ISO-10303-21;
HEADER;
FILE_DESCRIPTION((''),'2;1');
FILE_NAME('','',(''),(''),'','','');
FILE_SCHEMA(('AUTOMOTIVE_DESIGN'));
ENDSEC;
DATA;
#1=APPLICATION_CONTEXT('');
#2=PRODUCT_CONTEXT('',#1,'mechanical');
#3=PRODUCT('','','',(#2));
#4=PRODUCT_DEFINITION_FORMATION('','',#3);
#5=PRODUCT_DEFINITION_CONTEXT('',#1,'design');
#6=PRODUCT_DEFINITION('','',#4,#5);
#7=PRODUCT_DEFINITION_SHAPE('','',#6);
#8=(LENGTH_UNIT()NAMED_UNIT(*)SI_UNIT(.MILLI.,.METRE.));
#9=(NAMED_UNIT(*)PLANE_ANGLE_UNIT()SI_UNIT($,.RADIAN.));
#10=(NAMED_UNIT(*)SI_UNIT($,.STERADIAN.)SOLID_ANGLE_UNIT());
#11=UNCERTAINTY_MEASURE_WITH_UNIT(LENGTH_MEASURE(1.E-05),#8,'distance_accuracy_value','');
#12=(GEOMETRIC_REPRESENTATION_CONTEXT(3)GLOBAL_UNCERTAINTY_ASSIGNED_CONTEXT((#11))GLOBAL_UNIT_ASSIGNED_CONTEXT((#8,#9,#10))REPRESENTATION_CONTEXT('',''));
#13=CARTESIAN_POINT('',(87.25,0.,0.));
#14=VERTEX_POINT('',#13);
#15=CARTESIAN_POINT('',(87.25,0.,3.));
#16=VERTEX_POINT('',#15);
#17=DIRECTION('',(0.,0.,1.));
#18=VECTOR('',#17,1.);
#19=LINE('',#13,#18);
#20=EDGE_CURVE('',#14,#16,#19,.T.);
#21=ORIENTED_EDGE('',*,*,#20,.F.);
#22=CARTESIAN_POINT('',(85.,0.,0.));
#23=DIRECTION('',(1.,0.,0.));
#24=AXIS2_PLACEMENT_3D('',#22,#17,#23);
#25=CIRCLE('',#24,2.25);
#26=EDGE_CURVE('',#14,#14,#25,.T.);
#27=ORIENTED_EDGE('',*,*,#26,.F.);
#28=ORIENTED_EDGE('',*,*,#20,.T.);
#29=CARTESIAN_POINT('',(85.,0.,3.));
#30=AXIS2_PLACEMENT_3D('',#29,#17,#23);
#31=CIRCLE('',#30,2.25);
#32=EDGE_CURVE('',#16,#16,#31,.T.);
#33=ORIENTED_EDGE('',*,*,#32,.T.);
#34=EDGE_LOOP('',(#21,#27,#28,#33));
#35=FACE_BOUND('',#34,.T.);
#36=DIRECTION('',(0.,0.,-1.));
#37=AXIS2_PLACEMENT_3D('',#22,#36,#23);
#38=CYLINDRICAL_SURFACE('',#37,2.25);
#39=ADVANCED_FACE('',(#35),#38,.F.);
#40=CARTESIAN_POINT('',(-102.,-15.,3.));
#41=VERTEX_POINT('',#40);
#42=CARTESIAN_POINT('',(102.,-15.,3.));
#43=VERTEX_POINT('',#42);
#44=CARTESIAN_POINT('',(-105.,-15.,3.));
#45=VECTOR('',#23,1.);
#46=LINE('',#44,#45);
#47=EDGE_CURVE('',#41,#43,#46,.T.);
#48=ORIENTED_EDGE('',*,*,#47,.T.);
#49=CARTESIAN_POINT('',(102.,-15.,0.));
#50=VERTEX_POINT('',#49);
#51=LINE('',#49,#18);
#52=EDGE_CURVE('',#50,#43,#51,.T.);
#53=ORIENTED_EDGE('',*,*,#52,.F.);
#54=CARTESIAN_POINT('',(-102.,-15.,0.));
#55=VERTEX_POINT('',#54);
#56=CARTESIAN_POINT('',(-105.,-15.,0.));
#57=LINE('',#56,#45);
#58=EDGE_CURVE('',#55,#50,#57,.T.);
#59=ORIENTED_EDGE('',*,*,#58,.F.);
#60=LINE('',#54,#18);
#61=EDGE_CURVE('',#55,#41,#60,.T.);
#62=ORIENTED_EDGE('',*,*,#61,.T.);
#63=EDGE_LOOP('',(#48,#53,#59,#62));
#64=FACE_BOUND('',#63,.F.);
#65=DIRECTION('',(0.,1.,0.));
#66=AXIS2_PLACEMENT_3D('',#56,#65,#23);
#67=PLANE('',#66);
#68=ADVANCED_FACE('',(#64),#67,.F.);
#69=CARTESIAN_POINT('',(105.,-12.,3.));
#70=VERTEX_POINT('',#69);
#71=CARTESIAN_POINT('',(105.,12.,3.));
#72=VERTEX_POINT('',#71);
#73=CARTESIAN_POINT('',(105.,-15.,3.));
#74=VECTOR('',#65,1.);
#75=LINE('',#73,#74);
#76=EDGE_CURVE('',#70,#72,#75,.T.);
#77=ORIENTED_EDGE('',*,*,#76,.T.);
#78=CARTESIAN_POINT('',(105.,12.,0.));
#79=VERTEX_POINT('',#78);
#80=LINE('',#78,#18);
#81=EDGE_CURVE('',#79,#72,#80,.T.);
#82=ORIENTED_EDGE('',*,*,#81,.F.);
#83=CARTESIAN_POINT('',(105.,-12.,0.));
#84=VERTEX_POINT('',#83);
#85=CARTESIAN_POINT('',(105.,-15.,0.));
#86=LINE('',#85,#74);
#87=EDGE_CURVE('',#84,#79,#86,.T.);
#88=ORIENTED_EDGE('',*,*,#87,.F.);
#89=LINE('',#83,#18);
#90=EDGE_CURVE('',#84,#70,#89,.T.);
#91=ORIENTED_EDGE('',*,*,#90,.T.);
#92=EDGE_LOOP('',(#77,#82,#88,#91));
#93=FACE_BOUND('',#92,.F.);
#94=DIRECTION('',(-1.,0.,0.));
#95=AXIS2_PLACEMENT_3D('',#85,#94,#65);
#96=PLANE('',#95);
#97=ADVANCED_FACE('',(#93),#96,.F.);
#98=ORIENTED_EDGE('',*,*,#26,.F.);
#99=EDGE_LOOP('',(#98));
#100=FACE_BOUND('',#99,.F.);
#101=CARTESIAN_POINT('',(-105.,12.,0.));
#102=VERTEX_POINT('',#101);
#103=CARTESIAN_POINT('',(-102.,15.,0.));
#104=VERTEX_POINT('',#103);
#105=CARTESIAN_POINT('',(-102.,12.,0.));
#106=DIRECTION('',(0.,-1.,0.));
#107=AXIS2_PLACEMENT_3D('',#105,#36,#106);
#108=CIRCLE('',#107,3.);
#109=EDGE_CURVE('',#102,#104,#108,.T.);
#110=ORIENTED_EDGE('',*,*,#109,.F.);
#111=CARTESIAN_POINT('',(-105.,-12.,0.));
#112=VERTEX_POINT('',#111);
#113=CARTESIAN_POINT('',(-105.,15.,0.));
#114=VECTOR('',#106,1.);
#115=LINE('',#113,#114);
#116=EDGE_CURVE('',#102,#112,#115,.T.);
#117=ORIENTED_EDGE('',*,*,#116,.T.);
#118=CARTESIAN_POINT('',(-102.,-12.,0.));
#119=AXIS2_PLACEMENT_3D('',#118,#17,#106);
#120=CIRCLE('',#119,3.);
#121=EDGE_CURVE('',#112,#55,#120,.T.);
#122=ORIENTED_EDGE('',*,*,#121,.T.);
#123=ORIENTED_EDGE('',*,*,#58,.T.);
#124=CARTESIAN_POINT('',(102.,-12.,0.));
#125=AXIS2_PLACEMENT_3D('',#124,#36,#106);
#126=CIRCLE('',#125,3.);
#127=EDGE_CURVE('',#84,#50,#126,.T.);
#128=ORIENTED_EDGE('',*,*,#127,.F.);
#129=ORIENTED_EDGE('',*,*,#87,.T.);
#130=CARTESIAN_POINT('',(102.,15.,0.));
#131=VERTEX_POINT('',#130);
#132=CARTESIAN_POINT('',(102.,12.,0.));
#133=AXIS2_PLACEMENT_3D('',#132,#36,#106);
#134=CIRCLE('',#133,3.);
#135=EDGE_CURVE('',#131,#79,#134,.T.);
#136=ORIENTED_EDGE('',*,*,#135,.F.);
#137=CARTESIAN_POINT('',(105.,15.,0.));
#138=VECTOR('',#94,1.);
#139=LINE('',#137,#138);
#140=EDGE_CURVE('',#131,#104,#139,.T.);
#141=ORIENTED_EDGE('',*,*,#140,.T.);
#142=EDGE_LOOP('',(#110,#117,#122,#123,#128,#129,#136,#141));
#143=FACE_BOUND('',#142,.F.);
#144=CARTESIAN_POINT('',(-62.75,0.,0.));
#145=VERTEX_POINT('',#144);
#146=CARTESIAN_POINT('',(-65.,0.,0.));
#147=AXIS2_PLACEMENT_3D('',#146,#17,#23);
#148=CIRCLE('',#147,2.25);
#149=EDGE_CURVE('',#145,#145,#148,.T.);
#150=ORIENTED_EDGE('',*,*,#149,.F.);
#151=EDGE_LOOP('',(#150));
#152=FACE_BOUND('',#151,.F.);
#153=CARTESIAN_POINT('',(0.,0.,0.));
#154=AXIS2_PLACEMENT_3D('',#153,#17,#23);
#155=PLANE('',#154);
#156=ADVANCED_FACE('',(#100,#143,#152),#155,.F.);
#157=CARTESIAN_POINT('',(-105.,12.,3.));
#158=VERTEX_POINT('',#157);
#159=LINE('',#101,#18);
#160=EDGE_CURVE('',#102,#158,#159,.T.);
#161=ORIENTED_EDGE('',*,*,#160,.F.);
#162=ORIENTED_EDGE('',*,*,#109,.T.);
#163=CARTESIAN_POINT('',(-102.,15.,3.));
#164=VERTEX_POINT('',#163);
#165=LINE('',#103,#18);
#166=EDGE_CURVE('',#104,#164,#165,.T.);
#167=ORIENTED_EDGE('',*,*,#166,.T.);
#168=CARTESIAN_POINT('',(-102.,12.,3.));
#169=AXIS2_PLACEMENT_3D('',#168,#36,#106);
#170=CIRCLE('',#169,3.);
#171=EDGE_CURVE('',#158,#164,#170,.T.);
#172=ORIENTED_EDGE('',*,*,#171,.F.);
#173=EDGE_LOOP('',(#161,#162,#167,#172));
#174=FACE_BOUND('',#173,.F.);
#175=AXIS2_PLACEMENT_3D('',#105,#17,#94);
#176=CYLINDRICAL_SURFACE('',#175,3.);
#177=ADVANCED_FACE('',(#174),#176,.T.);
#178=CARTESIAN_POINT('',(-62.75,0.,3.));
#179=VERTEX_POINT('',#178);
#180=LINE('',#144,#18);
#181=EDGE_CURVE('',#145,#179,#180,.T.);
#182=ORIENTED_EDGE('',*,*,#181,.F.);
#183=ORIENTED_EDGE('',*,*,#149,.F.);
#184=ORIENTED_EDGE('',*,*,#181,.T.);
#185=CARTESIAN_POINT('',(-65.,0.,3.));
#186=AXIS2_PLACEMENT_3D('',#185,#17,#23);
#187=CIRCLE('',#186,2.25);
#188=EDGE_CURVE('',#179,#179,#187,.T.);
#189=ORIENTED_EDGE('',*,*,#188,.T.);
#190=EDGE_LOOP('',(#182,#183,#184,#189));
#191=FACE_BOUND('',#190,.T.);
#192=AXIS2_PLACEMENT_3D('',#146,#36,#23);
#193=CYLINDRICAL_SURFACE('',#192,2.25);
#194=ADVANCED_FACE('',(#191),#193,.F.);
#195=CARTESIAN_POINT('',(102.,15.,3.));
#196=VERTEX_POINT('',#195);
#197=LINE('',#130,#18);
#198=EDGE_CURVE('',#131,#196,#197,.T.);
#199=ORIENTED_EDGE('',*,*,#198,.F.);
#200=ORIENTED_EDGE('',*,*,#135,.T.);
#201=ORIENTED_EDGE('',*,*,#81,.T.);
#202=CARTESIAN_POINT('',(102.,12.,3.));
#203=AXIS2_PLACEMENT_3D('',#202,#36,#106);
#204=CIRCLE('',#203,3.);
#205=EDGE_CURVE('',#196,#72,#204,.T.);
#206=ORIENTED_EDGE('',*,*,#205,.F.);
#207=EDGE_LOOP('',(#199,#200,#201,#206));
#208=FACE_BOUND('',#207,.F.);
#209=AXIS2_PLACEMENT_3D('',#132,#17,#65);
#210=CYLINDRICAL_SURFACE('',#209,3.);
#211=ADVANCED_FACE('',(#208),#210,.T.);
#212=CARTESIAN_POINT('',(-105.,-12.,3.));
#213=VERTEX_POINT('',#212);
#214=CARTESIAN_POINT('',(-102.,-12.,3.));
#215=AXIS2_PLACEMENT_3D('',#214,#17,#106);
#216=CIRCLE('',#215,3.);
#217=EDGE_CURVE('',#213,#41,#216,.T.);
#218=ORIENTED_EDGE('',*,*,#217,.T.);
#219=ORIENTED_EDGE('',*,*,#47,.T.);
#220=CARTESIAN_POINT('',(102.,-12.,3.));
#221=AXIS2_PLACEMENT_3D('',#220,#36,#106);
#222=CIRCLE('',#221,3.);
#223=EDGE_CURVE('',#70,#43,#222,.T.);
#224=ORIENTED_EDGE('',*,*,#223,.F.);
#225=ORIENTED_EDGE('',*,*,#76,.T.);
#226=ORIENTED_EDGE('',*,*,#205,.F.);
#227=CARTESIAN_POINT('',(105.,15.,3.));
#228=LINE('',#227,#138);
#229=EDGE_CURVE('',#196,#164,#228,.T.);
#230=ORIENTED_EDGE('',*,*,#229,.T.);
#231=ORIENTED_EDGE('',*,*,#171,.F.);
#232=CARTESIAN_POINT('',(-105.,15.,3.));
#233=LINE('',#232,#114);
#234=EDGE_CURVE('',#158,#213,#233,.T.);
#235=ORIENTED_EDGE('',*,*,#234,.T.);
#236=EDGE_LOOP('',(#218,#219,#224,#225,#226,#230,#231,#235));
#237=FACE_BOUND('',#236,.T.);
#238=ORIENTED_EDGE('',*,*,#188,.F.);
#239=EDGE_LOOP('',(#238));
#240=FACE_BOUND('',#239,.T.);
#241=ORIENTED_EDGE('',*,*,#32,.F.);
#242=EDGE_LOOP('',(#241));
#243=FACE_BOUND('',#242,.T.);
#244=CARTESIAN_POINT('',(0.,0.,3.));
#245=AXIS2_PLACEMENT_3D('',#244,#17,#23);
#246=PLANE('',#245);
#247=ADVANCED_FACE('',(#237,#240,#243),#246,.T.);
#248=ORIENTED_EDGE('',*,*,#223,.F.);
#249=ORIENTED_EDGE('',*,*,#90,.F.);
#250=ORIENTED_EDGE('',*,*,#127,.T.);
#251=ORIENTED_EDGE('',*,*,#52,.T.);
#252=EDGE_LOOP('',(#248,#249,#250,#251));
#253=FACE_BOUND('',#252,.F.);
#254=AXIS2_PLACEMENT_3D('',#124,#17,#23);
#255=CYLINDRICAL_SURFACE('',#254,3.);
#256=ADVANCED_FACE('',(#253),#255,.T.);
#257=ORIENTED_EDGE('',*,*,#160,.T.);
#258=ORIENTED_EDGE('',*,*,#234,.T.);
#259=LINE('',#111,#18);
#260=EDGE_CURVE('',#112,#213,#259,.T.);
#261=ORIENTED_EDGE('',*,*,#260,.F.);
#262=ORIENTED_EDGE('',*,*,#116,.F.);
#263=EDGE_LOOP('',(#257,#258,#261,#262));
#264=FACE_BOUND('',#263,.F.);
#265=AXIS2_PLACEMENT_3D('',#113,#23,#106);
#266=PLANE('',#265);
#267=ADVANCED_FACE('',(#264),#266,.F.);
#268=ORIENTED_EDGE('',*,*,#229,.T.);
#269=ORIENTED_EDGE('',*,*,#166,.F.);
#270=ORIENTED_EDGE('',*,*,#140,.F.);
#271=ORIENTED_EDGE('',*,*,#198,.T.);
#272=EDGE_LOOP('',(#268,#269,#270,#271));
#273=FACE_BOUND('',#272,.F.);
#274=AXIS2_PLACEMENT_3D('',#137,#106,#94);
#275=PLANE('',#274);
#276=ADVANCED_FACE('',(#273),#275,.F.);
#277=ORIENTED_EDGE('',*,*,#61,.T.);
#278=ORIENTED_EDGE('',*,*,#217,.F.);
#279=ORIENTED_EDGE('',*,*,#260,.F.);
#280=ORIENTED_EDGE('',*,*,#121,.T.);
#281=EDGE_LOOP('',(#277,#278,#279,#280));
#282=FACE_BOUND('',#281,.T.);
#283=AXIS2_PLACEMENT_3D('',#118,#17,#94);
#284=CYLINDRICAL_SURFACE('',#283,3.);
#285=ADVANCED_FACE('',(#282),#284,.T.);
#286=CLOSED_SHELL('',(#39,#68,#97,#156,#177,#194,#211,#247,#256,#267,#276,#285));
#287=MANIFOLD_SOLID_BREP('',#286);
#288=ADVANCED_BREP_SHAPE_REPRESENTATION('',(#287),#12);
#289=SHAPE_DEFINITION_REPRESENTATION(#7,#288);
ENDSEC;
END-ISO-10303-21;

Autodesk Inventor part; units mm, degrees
ref_plane "YZ Plane" through (0, 0, 0) normal (1, 0, 0) x (0, 1, 0)
ref_plane "XZ Plane" through (0, 0, 0) normal (0, 1, 0) x (-1, 0, 0)
ref_plane "XY Plane" through (0, 0, 0) normal (0, 0, 1) x (1, 0, 0)
sketch "Sketch1" plane through (0, 0, 0) normal (0, 0, 1) x (1, 0, 0)
  line L0 (-105, -15) -> (105, -15)
  line L1 (105, -15) -> (105, 15)
  line L2 (105, 15) -> (-105, 15)
  line L3 (-105, 15) -> (-105, -15)
  line L4 (-105, -15) -> (105, 15) construction
  line L5 (105, -15) -> (-105, 15) construction
  circle A0 centre (85, 0) radius 2.25
  circle A1 centre (-65, 0) radius 2.25
  point P0 (0, 0)
  point P1 (0, 0)
  point P2 (0, 0)
  dimension "d0" = 210
  dimension "d1" = 30
  dimension "d2" = 4.5
  dimension "d3" = 4.5
  dimension "d4" = 20
  dimension "d5" = 150
extrude "Extrusion1" add sketch "Sketch1" along normal blind 3
fillet "Fillet1" radius 3 4 edges at (105, -15, 1.5) (105, 15, 1.5) (-105, 15, 1.5) (-105, -15, 1.5)
properties part number "extension3"
